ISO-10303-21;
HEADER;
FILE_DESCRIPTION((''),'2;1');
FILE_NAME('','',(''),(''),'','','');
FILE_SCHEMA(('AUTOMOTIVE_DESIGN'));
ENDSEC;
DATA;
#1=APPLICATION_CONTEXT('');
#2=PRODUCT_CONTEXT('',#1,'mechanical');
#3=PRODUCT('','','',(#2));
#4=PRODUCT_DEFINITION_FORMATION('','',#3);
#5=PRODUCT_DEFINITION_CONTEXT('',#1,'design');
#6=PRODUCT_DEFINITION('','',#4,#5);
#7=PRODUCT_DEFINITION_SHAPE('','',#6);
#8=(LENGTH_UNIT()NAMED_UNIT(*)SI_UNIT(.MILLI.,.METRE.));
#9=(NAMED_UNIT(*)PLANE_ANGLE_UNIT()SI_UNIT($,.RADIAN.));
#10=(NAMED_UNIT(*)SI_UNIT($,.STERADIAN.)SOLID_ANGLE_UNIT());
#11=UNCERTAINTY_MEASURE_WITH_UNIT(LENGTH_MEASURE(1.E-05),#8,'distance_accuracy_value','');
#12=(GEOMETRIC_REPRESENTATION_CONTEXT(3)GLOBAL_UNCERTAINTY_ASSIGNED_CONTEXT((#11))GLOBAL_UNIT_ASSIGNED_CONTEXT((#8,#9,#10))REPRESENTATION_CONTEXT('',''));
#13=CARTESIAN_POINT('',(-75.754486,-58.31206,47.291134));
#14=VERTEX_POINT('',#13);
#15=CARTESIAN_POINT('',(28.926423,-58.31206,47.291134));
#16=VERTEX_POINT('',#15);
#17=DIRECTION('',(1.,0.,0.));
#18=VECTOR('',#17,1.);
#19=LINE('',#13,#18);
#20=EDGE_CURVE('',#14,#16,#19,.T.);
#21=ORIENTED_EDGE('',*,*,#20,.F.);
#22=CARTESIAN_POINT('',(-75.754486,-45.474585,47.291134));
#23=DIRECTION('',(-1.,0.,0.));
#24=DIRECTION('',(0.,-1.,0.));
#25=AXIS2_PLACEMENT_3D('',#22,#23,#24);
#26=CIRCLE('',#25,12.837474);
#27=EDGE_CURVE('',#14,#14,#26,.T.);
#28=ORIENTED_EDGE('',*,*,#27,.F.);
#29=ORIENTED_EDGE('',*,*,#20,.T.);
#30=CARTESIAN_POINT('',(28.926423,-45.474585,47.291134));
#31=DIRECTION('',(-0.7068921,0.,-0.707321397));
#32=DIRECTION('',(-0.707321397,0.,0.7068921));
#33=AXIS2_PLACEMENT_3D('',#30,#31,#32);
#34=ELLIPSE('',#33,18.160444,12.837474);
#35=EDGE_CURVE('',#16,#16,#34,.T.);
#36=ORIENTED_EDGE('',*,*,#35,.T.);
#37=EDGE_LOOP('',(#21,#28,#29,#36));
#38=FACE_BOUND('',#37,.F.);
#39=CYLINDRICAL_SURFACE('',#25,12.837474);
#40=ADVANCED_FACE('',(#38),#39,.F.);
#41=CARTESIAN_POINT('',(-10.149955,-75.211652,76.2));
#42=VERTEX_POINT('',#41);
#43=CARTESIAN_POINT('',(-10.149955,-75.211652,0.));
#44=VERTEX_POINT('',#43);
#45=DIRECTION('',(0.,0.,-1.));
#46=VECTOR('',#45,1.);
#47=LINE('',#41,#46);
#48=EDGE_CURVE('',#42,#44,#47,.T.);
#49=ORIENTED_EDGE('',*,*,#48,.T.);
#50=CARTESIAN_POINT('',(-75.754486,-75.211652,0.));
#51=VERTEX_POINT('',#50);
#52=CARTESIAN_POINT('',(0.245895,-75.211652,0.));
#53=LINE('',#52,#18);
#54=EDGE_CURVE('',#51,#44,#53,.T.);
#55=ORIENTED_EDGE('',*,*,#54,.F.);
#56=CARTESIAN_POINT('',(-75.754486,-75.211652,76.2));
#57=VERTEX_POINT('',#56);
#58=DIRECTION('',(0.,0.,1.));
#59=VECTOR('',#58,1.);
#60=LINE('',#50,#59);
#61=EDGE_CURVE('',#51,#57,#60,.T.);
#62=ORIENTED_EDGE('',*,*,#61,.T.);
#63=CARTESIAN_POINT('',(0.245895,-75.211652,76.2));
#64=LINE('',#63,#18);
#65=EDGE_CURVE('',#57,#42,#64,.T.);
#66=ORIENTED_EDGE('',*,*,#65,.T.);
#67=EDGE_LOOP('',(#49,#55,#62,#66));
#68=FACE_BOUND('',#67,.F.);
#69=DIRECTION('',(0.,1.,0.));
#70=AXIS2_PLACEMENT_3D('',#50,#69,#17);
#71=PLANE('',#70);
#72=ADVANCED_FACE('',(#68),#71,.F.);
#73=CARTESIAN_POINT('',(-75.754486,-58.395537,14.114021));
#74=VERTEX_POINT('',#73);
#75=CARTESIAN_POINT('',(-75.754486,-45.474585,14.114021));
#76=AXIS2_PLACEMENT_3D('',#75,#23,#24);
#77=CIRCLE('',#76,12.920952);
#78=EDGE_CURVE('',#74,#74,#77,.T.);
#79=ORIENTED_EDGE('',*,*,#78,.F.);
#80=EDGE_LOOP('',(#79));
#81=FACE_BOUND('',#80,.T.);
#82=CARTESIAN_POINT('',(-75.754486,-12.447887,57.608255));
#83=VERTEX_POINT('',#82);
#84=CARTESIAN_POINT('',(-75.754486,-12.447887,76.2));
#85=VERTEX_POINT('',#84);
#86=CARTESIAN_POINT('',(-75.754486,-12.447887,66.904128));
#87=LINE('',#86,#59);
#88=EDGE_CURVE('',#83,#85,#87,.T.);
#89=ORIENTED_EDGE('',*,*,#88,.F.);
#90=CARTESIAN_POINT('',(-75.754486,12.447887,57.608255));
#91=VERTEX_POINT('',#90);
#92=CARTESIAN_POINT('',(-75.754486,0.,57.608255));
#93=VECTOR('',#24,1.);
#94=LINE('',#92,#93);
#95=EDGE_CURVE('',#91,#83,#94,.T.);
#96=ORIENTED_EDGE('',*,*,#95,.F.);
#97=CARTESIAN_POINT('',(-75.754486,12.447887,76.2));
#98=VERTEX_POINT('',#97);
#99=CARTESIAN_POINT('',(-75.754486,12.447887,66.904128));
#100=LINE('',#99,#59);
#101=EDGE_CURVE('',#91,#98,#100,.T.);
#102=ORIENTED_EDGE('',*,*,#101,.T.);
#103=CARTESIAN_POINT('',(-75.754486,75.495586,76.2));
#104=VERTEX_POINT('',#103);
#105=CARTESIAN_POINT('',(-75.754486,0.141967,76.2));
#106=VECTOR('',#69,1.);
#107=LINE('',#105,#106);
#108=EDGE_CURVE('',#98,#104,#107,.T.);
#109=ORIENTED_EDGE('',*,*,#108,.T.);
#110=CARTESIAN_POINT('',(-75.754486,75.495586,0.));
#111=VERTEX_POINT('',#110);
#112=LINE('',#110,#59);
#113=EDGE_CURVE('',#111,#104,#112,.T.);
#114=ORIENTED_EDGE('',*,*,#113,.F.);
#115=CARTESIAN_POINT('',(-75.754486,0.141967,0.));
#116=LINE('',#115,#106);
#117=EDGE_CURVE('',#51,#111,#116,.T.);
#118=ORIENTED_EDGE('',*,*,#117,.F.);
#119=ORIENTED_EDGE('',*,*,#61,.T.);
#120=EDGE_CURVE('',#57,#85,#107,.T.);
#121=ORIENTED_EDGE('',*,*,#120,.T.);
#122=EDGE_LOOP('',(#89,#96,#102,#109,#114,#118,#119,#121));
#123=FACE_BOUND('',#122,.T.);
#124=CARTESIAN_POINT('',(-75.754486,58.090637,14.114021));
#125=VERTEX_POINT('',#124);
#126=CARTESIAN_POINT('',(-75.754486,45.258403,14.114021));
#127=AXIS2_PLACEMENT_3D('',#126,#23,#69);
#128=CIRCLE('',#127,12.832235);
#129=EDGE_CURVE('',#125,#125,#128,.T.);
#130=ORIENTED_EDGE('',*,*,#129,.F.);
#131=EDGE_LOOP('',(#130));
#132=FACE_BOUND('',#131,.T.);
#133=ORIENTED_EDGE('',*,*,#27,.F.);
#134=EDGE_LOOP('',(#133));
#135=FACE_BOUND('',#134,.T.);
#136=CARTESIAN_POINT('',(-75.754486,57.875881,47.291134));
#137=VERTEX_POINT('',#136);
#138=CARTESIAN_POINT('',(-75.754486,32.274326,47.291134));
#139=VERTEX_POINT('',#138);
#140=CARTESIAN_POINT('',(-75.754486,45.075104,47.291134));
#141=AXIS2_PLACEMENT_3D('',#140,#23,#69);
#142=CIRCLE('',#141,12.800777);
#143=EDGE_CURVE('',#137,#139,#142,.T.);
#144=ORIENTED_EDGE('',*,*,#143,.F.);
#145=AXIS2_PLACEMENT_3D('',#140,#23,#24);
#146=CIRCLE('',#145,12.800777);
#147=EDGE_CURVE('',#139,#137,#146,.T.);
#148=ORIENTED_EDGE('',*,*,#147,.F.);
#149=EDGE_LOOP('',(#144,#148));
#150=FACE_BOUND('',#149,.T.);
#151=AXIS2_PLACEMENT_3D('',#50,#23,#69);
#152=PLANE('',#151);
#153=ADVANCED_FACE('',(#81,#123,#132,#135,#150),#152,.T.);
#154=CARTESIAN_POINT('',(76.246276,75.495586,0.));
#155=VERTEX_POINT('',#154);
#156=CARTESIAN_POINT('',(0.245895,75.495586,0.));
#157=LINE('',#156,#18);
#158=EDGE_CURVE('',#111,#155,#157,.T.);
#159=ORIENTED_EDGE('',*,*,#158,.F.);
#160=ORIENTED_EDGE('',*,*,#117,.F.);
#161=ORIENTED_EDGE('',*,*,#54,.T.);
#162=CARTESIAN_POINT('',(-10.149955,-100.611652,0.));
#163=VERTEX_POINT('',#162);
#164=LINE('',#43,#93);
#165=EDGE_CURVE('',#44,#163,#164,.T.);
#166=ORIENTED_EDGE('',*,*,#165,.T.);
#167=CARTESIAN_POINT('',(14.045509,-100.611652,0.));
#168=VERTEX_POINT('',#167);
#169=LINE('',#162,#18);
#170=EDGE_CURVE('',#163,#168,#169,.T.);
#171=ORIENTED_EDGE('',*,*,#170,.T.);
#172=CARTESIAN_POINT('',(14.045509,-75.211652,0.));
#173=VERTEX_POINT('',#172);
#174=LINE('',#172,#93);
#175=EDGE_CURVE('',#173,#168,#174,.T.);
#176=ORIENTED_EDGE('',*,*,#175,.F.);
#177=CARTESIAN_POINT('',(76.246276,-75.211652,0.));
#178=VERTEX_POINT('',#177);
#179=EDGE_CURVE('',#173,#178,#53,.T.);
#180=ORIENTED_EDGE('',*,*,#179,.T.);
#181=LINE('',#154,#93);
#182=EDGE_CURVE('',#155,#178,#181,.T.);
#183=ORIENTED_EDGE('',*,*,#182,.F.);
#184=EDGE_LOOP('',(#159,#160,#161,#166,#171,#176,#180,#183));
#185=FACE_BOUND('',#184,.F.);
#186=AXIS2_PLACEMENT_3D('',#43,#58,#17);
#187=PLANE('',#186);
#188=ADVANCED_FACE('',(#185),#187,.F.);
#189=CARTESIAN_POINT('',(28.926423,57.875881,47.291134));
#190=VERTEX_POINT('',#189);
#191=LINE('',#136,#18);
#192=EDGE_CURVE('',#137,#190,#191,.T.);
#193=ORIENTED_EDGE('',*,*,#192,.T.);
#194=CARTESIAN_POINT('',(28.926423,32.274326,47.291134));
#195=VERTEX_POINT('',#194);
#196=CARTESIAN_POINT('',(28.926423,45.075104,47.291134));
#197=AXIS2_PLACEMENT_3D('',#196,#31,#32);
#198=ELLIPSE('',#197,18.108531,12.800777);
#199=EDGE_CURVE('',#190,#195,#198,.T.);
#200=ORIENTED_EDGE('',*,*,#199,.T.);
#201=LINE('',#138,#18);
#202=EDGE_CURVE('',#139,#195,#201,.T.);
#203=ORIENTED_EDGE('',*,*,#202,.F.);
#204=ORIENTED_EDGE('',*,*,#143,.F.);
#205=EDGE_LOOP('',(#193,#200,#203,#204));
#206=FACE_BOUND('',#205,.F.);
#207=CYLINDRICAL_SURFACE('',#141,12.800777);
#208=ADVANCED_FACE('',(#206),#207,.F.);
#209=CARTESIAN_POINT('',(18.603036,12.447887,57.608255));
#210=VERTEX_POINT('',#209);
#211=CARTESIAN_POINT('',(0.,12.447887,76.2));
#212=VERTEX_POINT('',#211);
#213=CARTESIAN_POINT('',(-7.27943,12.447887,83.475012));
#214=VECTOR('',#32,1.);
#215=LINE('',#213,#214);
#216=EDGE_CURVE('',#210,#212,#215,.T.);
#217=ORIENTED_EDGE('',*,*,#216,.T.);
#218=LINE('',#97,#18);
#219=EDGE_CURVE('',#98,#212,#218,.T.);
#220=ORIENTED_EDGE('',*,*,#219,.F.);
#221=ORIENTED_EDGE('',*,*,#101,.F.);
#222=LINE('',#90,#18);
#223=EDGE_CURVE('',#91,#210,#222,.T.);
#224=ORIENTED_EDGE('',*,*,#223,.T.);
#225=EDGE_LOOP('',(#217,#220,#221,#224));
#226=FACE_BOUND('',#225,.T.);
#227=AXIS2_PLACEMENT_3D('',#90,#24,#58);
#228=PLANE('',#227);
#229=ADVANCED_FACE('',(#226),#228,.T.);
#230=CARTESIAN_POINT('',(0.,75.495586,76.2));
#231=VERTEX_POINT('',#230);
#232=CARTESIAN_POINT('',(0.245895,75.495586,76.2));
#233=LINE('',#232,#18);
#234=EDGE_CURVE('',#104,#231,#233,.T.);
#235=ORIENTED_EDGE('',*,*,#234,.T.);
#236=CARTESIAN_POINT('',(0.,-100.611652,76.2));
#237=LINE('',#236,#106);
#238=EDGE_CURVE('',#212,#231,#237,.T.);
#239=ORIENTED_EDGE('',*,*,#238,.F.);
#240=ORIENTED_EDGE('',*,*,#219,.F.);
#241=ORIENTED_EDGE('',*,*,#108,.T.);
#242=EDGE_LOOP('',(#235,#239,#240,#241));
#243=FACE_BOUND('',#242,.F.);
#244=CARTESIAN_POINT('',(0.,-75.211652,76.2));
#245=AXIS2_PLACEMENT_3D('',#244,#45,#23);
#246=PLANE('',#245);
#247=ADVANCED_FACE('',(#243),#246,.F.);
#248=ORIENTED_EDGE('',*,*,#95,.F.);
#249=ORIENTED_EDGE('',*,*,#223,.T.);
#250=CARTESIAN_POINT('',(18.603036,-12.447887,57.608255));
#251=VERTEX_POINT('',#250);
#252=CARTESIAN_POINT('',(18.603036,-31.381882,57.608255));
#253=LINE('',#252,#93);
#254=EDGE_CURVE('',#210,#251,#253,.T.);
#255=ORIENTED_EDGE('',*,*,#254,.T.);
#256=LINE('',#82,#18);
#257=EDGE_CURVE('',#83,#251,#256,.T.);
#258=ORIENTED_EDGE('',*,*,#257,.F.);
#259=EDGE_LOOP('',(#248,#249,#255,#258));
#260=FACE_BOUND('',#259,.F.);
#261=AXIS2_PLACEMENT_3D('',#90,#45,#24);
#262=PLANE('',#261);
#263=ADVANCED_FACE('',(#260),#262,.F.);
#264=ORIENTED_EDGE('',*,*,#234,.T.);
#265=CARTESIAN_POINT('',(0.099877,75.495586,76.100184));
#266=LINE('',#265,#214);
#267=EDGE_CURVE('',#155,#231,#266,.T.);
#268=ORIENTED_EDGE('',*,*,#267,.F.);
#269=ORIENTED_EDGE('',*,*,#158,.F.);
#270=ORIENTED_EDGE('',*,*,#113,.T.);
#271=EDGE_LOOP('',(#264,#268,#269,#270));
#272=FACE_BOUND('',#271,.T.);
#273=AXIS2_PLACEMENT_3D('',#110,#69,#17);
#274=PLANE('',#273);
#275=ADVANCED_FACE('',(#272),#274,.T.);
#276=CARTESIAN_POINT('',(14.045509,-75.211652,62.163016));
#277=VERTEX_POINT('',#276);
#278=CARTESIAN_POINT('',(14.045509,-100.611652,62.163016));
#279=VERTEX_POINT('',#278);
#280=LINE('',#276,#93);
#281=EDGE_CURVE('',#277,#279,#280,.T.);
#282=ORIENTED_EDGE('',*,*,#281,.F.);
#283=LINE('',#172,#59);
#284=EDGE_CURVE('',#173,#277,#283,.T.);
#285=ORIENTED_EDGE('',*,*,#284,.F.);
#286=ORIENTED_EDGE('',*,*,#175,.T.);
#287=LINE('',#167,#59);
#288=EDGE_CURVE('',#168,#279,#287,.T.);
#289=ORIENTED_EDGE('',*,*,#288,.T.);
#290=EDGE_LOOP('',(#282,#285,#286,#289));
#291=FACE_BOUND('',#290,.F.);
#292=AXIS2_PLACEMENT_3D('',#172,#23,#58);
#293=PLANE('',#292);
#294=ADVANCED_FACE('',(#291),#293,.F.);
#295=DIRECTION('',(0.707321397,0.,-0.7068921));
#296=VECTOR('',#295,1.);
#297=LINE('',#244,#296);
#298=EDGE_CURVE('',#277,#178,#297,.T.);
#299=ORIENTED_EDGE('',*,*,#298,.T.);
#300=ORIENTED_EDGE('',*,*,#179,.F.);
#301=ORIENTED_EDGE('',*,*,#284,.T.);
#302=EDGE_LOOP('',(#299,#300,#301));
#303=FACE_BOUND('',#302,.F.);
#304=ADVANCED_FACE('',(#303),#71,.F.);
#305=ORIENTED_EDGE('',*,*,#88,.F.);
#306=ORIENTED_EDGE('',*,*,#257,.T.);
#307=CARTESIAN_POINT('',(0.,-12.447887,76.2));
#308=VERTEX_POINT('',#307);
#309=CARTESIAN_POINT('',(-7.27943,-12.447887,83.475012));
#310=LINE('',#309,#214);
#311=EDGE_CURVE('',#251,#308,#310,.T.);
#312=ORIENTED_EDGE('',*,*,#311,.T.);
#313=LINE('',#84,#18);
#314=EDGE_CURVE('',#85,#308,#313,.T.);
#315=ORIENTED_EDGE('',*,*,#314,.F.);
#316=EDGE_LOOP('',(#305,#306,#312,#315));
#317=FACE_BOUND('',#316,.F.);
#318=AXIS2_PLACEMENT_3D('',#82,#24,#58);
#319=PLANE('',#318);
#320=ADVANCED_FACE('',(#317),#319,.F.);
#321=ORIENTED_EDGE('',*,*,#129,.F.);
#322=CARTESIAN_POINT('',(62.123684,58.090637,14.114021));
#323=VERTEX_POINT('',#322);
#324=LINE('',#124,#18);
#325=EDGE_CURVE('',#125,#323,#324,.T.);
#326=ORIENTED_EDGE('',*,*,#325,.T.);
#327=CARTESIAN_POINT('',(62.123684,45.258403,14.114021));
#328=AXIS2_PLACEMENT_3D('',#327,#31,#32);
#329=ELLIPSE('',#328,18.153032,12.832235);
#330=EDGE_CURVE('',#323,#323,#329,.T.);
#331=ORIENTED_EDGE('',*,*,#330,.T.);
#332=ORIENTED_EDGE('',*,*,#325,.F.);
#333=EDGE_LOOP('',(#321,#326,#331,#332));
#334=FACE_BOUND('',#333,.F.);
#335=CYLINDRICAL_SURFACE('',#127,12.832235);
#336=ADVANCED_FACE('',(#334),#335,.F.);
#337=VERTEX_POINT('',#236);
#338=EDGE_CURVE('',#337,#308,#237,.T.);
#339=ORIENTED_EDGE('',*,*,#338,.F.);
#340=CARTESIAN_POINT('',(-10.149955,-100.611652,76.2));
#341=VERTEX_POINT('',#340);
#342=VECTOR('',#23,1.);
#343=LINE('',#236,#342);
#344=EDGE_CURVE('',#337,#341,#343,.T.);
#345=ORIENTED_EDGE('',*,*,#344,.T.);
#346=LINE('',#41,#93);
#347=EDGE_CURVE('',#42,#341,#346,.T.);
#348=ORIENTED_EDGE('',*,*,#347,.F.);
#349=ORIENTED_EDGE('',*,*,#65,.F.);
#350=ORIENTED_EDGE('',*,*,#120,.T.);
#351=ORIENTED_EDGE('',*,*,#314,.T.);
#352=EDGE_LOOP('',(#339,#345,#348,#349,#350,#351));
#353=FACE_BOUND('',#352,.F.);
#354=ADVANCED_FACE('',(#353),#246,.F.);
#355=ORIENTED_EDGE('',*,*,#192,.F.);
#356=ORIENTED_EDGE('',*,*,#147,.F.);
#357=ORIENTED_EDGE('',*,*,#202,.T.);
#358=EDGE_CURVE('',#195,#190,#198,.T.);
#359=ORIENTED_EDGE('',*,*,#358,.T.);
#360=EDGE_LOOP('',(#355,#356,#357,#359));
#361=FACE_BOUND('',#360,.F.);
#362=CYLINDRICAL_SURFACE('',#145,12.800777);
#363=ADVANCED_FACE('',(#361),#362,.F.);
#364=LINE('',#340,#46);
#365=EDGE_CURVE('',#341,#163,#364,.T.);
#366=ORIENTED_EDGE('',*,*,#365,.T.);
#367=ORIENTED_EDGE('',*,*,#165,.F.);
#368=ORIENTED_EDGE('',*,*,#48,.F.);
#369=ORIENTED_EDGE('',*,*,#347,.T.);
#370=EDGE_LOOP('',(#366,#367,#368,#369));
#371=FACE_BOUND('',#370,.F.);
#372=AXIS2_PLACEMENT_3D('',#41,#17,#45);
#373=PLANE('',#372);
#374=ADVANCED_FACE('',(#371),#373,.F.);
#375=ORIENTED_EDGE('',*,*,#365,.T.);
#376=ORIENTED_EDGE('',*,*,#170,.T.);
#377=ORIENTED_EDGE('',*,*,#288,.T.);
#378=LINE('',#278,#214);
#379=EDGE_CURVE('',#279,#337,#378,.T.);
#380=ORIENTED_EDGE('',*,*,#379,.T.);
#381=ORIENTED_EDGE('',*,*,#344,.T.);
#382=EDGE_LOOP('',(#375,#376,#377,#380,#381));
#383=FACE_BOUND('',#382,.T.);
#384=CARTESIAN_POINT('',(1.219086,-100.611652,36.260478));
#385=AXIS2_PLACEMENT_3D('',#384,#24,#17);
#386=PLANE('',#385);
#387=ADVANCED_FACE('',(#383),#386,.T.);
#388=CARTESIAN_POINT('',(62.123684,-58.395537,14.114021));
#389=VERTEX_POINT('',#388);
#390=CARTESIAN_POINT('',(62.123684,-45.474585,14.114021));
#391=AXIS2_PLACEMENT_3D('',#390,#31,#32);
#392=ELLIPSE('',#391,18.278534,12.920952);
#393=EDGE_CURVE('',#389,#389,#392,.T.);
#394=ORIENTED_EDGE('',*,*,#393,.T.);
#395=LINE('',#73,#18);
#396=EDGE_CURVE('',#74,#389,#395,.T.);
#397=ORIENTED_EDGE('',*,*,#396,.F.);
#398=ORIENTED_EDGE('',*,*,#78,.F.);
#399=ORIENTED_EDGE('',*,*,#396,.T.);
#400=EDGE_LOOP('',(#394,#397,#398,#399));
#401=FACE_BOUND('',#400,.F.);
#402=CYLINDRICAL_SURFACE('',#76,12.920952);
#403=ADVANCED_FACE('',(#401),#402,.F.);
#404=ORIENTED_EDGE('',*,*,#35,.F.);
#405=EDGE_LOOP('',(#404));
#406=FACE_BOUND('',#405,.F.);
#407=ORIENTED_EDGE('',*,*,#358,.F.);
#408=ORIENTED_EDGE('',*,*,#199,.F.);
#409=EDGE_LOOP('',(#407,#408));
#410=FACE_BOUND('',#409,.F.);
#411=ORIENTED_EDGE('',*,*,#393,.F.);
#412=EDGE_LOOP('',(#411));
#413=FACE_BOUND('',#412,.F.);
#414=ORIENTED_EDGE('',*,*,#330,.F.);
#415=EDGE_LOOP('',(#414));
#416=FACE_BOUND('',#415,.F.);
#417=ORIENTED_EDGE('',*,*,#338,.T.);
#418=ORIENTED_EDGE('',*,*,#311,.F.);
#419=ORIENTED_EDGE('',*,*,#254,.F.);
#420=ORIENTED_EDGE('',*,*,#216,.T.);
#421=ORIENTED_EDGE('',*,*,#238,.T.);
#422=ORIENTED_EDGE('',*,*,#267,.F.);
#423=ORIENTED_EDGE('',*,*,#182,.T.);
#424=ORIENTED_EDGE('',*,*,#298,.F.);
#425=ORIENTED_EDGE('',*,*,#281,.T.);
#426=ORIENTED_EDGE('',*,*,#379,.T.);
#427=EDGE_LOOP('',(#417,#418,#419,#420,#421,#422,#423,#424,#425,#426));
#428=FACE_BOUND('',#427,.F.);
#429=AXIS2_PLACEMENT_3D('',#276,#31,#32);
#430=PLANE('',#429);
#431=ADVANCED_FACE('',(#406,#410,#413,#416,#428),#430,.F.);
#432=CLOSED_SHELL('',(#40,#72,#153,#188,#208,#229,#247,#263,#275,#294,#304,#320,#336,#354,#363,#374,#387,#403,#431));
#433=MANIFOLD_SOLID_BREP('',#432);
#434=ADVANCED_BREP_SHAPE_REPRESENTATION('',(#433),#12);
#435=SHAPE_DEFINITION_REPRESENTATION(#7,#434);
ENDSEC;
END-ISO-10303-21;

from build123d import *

# Parameters (mm, degrees)
F0_W      = 152.0007625222
F0_H      = 150.7072374225
F1_DEPTH  = 76.2
F3_DEPTH  = 76.2
F4_DEPTH  = 1270
F6_DEPTH  = 25.4
F7_W      = 24.8957742006
F7_H      = 18.5917448044
F8_DEPTH  = 1270
F10_DEPTH = 152.0017625222


with BuildPart() as f1:
    # F0 (on Top) → F1 (new body)
    with BuildSketch(Plane.XY):
        with Locations((0.2458952367, 0.141967088)):
            Rectangle(F0_W, F0_H)
    extrude(amount=F1_DEPTH)

    # F2 (on face) → F3 (cut)
    with BuildSketch(Plane.XZ.offset(75.2116516232)):
        Polygon((76.2462764978, 76.2), (0, 76.2), (76.2462764978, 0), align=None)
    extrude(amount=-F3_DEPTH, mode=Mode.SUBTRACT)

    # F4 (cut): a face of the model
    f4_faces = [f1.faces().sort_by_distance(p)[0] for p in [
        (50.8308509986, 0.9883483768, 50.8),
    ]]
    extrude(f4_faces, amount=-F4_DEPTH, mode=Mode.SUBTRACT)

    # F5 (on face) → F6 (join)
    with BuildSketch(Plane.XZ.offset(75.2116516232)):
        Polygon((0, 76.2), (-10.1499548182, 76.2), (-10.1499548182, 0), (14.0455085784, 0), (14.0455085784, 62.1630161257), align=None)
    extrude(amount=F6_DEPTH)

    # F7 (on face) → F8 (cut)
    with BuildSketch(Plane(origin=(-75.7544860244, 0, 0), x_dir=(0, -1, 0), z_dir=(-1, 0, 0))):
        with Locations((0, 66.9041275978)):
            Rectangle(F7_W, F7_H)
    extrude(amount=-F8_DEPTH, mode=Mode.SUBTRACT)

    # F9 (on face) → F10 (cut, through all)
    with BuildSketch(Plane(origin=(-75.7544860244, 0, 0), x_dir=(0, -1, 0), z_dir=(-1, 0, 0))):
        with BuildLine():
            Line((-57.8758810088, 47.2911335528), (-32.2743262723, 47.2911335528))
            ThreePointArc((-32.2743262723, 47.2911335528), (-45.0751036406, 60.091910921), (-57.8758810088, 47.2911335528))
        make_face()
        with BuildLine():
            ThreePointArc((-57.8758810088, 47.2911335528), (-45.0751036406, 34.4903561846), (-32.2743262723, 47.2911335528))
            Line((-32.2743262723, 47.2911335528), (-57.8758810088, 47.2911335528))
        make_face()
        with BuildLine():
            Line((-58.0906374395, 14.1140213236), (-32.4261682093, 14.1140213236))
            ThreePointArc((-32.4261682093, 14.1140213236), (-45.2584028244, 26.9462559387), (-58.0906374395, 14.1140213236))
        make_face()
        with BuildLine():
            ThreePointArc((-58.0906374395, 14.1140213236), (-45.2584028244, 1.2817867085), (-32.4261682093, 14.1140213236))
            Line((-32.4261682093, 14.1140213236), (-58.0906374395, 14.1140213236))
        make_face()
        with BuildLine():
            ThreePointArc((32.553633581, 14.1140213236), (45.4745851457, 1.1930697589), (58.3955367104, 14.1140213236))
            Line((58.3955367104, 14.1140213236), (32.553633581, 14.1140213236))
        make_face()
        with BuildLine():
            Line((32.553633581, 14.1140213236), (58.3955367104, 14.1140213236))
            ThreePointArc((58.3955367104, 14.1140213236), (45.4745851457, 27.0349728883), (32.553633581, 14.1140213236))
        make_face()
        with BuildLine():
            ThreePointArc((32.6371107909, 47.2911335528), (45.4745851457, 34.453659198), (58.3120595005, 47.2911335528))
            Line((58.3120595005, 47.2911335528), (32.6371107909, 47.2911335528))
        make_face()
        with BuildLine():
            Line((32.6371107909, 47.2911335528), (58.3120595005, 47.2911335528))
            ThreePointArc((58.3120595005, 47.2911335528), (45.4745851457, 60.1286079076), (32.6371107909, 47.2911335528))
        make_face()
    extrude(amount=-F10_DEPTH, mode=Mode.SUBTRACT)


solid = f1.part
